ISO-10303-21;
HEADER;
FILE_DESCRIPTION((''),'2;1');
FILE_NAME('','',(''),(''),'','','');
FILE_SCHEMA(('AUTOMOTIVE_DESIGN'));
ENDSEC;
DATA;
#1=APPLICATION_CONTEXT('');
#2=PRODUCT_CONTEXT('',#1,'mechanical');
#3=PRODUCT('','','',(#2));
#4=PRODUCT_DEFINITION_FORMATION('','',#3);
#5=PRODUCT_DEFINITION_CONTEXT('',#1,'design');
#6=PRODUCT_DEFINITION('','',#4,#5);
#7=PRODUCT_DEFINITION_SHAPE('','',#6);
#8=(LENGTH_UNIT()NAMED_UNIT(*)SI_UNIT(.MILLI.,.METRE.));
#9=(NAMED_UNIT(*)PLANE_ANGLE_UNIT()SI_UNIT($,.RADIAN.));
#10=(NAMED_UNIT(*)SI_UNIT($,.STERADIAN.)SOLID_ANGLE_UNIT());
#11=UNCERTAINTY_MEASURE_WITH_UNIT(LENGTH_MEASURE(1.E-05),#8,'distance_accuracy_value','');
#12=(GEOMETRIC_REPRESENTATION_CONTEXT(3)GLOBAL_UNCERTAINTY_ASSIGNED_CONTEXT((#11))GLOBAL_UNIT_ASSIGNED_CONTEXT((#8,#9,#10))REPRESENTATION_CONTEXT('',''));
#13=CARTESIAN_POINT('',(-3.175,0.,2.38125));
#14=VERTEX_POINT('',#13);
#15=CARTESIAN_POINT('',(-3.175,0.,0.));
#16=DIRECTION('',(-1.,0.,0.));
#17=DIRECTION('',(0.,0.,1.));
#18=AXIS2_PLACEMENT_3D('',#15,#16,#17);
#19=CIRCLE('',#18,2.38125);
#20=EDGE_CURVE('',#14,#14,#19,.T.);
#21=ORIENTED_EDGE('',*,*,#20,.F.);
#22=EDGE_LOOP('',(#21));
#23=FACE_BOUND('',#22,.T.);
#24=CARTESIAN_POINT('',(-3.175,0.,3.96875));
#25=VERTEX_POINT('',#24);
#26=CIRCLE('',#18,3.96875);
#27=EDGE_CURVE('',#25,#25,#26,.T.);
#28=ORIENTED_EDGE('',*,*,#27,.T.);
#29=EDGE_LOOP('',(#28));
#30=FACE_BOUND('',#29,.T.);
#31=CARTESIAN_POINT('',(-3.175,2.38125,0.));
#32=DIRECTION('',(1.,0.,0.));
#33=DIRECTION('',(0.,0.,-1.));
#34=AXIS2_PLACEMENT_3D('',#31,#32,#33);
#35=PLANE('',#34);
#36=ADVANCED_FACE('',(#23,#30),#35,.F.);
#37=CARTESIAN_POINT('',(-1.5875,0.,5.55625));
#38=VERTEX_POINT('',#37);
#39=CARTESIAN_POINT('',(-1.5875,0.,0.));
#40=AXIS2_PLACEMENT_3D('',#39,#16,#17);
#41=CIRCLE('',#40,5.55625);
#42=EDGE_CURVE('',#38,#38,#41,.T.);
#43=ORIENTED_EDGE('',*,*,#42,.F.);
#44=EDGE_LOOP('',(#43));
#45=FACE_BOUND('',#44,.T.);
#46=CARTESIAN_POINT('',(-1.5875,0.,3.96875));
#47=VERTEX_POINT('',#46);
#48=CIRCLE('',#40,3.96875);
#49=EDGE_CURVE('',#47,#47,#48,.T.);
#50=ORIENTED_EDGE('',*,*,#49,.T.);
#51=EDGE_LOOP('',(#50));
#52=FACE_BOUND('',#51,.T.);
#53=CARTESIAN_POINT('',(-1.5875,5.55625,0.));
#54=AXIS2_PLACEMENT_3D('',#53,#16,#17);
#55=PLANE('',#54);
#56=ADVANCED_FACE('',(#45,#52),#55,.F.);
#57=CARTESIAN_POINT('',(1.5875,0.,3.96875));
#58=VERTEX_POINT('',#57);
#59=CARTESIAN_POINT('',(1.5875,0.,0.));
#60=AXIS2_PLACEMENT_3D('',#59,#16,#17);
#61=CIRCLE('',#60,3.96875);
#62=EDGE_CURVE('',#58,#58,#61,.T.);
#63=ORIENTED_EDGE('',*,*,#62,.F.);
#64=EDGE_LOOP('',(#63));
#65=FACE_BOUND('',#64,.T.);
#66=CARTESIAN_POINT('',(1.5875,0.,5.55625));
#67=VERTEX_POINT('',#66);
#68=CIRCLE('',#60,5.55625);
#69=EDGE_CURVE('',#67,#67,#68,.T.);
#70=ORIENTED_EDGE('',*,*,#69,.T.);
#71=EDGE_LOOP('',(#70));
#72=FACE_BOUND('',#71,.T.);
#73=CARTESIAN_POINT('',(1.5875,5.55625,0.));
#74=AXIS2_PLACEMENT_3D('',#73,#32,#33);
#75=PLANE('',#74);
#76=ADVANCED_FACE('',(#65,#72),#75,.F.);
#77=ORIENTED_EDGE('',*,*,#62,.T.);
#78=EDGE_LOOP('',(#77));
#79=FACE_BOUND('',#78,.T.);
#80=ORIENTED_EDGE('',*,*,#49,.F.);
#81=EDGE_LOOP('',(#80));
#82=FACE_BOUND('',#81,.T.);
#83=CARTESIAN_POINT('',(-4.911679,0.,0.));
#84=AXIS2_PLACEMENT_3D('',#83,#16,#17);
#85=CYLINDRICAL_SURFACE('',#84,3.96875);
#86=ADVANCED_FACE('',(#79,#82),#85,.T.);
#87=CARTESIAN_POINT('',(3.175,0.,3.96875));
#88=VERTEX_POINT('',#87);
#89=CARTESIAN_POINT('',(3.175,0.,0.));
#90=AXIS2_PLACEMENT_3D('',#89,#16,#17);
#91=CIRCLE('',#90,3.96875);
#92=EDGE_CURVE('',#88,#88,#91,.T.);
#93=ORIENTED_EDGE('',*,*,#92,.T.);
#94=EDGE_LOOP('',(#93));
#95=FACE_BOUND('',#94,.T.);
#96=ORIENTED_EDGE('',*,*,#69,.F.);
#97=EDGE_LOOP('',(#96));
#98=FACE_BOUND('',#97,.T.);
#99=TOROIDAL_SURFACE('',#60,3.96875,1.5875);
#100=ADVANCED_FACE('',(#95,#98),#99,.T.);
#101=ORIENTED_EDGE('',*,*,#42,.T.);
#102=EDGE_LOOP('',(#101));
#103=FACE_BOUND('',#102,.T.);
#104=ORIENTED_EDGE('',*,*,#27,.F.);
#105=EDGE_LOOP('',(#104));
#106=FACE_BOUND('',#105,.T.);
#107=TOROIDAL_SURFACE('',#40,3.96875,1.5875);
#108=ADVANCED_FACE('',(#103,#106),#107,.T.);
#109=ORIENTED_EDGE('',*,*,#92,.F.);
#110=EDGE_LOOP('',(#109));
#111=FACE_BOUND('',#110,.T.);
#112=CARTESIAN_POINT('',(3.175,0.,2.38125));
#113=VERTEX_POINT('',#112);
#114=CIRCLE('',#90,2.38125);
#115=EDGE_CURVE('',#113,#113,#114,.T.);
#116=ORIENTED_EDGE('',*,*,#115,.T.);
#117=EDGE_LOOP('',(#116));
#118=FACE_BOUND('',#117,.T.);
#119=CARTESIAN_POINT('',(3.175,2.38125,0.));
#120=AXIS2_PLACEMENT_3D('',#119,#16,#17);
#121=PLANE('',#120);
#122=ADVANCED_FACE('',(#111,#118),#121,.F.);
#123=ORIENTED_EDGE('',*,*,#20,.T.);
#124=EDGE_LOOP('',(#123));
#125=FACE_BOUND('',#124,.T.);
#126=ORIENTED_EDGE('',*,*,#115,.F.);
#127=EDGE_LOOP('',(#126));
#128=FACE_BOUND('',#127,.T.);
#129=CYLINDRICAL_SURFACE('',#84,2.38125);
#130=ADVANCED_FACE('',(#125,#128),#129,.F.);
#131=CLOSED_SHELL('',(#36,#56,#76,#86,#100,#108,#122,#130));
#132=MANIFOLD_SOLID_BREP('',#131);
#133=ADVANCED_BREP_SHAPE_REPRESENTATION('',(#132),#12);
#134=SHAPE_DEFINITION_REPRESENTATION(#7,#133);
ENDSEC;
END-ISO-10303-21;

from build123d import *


with BuildPart() as part:
    # Sketch1 → Revolve1 (revolve)
    with BuildSketch(Plane.XY):
        with BuildLine():
            Line((-3.175, 2.38125), (3.175, 2.38125))
            Line((3.175, 2.38125), (3.175, 3.96875))
            ThreePointArc((3.175, 3.96875), (2.710032015, 5.091282015), (1.5875, 5.55625))
            Line((1.5875, 5.55625), (1.5875, 3.96875))
            Line((1.5875, 3.96875), (-1.5875, 3.96875))
            Line((-1.5875, 3.96875), (-1.5875, 5.55625))
            ThreePointArc((-1.5875, 5.55625), (-2.710032015, 5.091282015), (-3.175, 3.96875))
            Line((-3.175, 3.96875), (-3.175, 2.38125))
        make_face()
    revolve(axis=Axis((-4.911678735, 0, 0), (1, 0, 0)))


solid = part.part
